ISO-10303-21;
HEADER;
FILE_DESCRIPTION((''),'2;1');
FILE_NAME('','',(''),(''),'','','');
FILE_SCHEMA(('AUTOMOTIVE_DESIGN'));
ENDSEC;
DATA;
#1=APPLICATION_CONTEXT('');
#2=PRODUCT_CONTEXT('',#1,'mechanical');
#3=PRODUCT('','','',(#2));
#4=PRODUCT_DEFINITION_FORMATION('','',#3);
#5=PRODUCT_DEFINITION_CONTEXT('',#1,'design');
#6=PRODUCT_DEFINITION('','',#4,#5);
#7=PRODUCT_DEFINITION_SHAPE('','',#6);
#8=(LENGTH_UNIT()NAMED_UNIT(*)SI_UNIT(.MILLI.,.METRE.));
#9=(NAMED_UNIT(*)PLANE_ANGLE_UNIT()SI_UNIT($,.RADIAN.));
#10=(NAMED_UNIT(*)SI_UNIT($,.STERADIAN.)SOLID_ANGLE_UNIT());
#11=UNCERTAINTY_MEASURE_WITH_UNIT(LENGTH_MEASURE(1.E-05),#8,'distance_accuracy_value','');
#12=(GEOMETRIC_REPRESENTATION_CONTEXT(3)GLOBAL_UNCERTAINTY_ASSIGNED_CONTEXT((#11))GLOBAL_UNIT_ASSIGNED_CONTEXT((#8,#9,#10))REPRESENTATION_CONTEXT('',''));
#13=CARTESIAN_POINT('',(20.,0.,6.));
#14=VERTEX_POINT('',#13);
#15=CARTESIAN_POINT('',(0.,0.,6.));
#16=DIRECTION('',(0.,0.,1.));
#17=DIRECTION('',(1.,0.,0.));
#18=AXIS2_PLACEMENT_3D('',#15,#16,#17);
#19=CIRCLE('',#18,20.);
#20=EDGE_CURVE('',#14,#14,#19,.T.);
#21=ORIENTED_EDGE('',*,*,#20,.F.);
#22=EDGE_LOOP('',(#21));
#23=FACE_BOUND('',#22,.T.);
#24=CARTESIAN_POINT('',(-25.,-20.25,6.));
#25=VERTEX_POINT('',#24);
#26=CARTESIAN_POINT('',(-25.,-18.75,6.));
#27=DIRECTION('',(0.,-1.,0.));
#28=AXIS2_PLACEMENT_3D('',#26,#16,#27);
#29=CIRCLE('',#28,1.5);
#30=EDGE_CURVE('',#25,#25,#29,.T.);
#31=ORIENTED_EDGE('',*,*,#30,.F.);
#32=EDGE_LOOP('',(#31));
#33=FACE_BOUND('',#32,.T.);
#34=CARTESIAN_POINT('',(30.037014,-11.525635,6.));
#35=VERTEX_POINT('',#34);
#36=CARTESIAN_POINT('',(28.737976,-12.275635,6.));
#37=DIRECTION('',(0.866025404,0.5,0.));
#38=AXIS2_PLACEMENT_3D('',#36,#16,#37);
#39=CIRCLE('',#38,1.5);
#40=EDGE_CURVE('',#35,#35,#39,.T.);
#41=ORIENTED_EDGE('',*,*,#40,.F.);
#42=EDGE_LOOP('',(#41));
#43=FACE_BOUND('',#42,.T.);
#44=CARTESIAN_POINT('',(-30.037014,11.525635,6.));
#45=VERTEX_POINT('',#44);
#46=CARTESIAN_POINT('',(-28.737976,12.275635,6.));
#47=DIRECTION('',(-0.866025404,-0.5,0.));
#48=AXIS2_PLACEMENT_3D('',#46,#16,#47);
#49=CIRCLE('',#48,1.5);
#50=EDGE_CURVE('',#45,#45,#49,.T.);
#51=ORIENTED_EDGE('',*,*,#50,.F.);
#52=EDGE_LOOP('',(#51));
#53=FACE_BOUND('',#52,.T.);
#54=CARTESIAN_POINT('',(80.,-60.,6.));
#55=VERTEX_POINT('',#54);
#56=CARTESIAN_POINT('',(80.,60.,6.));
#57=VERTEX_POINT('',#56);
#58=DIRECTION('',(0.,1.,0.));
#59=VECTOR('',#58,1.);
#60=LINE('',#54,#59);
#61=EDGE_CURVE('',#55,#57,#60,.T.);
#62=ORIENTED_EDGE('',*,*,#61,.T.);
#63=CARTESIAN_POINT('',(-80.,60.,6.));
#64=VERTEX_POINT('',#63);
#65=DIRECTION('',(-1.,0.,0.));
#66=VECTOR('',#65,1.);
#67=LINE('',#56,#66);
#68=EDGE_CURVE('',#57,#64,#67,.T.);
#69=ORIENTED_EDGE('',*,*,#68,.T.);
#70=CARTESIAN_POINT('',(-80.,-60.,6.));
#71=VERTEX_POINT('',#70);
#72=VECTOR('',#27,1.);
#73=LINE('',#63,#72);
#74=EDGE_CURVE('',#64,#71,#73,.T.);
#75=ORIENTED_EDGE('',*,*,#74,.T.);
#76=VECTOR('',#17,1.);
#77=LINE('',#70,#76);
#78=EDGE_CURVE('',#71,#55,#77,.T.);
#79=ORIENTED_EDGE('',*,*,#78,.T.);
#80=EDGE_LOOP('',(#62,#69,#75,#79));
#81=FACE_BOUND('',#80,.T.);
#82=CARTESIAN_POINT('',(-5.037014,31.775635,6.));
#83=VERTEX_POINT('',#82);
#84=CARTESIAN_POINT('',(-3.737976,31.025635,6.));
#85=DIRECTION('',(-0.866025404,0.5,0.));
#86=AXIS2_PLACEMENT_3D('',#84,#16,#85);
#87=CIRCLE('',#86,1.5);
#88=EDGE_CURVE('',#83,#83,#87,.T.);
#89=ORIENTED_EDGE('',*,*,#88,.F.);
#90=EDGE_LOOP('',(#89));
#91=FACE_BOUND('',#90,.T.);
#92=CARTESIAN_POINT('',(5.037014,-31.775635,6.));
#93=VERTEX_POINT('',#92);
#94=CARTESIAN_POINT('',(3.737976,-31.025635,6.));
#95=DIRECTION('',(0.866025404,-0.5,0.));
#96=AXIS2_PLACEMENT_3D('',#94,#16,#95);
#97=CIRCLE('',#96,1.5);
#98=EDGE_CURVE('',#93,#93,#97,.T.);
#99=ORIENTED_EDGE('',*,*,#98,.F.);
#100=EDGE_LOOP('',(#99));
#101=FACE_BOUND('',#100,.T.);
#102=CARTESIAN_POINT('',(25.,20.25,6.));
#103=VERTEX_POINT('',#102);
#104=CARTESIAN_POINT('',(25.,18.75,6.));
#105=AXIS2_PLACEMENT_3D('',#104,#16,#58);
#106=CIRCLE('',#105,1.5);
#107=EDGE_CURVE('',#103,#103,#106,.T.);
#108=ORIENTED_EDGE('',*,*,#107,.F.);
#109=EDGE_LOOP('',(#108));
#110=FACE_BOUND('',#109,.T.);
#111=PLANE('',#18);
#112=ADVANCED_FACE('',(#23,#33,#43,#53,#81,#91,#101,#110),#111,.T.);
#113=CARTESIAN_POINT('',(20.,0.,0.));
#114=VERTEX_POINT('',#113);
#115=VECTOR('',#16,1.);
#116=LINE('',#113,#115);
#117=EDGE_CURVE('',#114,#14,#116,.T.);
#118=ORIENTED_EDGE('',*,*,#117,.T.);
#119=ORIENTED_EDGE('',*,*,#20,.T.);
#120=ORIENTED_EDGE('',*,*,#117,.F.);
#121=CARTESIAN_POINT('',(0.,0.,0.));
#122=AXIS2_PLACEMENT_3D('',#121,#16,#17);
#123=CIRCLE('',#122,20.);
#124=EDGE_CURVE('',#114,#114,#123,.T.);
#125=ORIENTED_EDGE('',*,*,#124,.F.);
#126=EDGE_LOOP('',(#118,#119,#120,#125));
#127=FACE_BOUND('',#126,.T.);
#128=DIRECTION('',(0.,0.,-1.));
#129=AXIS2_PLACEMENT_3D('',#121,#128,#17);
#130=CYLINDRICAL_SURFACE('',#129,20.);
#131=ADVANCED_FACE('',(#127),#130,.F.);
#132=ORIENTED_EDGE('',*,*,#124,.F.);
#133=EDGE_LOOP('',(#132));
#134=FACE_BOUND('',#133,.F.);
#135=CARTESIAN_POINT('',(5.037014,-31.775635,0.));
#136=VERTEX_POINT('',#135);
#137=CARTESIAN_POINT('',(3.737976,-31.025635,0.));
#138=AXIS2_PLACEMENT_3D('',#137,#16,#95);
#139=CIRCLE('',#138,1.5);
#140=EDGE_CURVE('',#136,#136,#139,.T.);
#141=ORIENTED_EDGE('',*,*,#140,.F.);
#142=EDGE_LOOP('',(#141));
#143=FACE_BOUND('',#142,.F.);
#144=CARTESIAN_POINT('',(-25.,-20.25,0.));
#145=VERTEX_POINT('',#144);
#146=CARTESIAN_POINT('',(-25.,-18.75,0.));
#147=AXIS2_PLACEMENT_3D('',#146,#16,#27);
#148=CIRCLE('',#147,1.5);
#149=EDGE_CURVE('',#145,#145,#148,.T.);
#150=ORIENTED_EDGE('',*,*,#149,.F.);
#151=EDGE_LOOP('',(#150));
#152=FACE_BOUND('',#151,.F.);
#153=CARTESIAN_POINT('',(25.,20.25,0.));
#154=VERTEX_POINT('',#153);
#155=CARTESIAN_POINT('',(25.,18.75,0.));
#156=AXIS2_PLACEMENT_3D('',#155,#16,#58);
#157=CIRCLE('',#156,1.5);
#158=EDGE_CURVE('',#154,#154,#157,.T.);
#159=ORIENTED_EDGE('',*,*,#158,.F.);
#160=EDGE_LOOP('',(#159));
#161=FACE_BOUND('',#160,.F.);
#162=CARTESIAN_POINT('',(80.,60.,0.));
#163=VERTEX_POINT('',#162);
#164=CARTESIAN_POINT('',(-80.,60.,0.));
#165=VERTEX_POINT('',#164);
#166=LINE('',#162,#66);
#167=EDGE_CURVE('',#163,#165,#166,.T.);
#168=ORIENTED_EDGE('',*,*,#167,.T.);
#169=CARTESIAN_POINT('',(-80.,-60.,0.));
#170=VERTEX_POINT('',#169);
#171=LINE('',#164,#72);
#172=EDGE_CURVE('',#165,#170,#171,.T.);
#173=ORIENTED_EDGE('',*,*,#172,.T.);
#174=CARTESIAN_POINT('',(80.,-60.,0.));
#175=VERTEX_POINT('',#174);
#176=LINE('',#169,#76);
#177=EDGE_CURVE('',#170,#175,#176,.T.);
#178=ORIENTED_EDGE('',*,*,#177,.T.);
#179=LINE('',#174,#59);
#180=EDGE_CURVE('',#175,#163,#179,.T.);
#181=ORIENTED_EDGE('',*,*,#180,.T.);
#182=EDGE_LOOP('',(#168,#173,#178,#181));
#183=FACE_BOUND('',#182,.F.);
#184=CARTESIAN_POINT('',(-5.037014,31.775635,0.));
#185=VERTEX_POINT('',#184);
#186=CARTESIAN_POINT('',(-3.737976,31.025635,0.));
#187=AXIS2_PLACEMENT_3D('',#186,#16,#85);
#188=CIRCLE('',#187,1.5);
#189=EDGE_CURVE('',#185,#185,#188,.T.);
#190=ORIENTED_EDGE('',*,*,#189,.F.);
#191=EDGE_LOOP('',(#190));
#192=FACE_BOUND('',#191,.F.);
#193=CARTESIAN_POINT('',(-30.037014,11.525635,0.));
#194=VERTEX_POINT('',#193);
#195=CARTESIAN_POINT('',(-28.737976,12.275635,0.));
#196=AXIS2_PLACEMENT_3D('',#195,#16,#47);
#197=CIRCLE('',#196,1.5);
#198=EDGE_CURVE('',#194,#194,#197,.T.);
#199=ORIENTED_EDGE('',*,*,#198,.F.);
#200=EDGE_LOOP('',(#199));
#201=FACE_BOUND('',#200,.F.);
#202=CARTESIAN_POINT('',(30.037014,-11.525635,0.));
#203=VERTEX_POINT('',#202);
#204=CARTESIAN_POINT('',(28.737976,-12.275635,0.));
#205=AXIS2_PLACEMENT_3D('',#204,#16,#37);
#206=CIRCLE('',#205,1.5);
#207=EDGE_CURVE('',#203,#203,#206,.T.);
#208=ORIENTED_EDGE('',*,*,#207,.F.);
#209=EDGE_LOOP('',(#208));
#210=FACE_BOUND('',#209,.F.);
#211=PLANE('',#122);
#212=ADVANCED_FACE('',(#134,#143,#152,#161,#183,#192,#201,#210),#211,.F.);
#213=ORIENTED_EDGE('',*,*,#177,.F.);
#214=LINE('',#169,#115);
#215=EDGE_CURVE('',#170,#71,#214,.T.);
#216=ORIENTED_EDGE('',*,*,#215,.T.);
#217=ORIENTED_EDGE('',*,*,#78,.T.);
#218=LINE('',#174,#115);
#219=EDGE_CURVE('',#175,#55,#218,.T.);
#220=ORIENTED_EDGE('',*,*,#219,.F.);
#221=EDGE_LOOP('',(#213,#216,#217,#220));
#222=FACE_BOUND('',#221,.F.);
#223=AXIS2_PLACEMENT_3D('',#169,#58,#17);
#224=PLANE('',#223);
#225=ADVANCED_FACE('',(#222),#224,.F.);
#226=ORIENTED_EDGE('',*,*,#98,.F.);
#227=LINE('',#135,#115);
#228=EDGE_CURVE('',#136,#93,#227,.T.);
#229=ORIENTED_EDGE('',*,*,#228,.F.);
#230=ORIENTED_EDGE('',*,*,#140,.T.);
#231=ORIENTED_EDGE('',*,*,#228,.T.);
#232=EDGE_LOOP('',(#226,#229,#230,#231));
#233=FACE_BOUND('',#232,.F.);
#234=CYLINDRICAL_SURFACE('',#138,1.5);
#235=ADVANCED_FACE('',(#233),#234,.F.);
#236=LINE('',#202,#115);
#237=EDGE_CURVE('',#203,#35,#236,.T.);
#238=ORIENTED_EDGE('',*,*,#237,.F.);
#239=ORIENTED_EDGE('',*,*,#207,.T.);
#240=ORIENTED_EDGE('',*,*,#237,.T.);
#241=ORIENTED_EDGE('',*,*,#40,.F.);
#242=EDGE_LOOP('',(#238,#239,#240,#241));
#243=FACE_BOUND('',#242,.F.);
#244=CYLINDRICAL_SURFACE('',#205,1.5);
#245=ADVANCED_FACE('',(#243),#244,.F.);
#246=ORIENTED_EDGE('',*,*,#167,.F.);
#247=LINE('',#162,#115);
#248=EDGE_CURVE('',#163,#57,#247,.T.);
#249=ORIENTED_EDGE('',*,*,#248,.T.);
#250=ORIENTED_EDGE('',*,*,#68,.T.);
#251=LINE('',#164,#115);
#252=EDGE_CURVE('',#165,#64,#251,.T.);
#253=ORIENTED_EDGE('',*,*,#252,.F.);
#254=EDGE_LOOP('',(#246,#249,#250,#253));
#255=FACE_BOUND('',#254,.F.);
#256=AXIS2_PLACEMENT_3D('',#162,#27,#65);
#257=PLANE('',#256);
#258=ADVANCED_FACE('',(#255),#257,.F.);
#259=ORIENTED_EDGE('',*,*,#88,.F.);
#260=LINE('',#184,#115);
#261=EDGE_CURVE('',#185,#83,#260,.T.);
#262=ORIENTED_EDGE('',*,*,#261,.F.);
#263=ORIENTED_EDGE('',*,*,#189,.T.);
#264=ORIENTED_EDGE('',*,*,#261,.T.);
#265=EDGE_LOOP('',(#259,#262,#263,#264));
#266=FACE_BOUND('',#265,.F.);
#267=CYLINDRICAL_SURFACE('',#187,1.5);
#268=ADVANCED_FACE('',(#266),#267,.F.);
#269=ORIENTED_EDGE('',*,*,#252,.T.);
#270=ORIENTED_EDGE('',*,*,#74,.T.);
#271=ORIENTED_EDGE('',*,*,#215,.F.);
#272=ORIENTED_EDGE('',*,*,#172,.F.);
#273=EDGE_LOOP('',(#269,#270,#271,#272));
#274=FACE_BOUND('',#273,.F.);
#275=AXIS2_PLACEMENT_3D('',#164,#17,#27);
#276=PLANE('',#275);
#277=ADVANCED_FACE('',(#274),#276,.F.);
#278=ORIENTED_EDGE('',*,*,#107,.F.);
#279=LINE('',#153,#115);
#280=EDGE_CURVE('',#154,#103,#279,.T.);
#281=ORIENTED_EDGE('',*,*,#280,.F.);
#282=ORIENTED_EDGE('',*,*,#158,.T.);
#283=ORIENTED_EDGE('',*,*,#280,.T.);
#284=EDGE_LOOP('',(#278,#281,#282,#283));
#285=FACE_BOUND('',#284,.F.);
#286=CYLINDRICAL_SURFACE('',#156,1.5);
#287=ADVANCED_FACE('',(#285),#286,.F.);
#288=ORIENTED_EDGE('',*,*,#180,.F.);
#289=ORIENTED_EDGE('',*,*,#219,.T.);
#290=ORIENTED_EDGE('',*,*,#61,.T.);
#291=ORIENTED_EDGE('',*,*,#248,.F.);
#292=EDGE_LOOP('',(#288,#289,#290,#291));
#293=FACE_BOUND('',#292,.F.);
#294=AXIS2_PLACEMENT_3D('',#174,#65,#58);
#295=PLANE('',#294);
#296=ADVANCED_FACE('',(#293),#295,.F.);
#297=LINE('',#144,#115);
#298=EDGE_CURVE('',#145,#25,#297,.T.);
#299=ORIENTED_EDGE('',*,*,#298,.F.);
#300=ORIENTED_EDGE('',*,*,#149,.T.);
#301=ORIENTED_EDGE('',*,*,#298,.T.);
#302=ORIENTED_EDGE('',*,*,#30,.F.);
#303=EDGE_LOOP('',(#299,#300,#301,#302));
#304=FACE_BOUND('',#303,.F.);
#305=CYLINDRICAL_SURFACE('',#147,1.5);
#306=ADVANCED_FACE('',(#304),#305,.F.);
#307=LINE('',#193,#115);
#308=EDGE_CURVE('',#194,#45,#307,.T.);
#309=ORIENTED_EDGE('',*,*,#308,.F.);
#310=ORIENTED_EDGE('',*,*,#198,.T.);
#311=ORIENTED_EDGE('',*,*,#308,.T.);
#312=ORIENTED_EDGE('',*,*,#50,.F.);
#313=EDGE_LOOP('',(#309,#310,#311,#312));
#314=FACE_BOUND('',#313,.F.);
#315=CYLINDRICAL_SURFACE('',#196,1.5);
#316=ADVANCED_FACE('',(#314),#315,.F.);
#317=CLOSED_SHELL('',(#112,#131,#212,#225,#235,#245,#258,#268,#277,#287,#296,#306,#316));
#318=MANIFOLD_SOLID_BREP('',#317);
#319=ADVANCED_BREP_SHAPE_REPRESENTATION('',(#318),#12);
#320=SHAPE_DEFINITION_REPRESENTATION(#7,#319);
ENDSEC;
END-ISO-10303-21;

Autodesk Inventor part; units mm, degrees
ref_plane "YZ Plane" through (0, 0, 0) normal (1, 0, 0) x (0, 1, 0)
ref_plane "XZ Plane" through (0, 0, 0) normal (0, 1, 0) x (-1, 0, 0)
ref_plane "XY Plane" through (0, 0, 0) normal (0, 0, 1) x (1, 0, 0)
sketch "Sketch1" plane through (0, 0, 0) normal (0, 0, 1) x (1, 0, 0)
  line L0 (-80, -60) -> (80, -60)
  line L1 (80, -60) -> (80, 60)
  line L2 (80, 60) -> (-80, 60)
  line L3 (-80, 60) -> (-80, -60)
  line L4 (-80, -60) -> (80, 60) construction
  line L5 (80, -60) -> (-80, 60) construction
  circle A0 centre (0, 0) radius 20
  point P0 (25, 18.75)
  dimension "d0" = 160
  dimension "d1" = 120
  dimension "d2" = 40
  dimension "d5" = 25
extrude "Extrusion1" add sketch "Sketch1" along normal blind 6
hole "Hole1" at (25, 18.75, 0) direction (0, 0, 1) diameter 3 end through all
pattern_circular "Circular Pattern1" count 6 over 360 about axis through (0, 0, 0) along (0, 0, 1) of "Hole1"
properties part number "base_plate" material "Plywood, Finish"
